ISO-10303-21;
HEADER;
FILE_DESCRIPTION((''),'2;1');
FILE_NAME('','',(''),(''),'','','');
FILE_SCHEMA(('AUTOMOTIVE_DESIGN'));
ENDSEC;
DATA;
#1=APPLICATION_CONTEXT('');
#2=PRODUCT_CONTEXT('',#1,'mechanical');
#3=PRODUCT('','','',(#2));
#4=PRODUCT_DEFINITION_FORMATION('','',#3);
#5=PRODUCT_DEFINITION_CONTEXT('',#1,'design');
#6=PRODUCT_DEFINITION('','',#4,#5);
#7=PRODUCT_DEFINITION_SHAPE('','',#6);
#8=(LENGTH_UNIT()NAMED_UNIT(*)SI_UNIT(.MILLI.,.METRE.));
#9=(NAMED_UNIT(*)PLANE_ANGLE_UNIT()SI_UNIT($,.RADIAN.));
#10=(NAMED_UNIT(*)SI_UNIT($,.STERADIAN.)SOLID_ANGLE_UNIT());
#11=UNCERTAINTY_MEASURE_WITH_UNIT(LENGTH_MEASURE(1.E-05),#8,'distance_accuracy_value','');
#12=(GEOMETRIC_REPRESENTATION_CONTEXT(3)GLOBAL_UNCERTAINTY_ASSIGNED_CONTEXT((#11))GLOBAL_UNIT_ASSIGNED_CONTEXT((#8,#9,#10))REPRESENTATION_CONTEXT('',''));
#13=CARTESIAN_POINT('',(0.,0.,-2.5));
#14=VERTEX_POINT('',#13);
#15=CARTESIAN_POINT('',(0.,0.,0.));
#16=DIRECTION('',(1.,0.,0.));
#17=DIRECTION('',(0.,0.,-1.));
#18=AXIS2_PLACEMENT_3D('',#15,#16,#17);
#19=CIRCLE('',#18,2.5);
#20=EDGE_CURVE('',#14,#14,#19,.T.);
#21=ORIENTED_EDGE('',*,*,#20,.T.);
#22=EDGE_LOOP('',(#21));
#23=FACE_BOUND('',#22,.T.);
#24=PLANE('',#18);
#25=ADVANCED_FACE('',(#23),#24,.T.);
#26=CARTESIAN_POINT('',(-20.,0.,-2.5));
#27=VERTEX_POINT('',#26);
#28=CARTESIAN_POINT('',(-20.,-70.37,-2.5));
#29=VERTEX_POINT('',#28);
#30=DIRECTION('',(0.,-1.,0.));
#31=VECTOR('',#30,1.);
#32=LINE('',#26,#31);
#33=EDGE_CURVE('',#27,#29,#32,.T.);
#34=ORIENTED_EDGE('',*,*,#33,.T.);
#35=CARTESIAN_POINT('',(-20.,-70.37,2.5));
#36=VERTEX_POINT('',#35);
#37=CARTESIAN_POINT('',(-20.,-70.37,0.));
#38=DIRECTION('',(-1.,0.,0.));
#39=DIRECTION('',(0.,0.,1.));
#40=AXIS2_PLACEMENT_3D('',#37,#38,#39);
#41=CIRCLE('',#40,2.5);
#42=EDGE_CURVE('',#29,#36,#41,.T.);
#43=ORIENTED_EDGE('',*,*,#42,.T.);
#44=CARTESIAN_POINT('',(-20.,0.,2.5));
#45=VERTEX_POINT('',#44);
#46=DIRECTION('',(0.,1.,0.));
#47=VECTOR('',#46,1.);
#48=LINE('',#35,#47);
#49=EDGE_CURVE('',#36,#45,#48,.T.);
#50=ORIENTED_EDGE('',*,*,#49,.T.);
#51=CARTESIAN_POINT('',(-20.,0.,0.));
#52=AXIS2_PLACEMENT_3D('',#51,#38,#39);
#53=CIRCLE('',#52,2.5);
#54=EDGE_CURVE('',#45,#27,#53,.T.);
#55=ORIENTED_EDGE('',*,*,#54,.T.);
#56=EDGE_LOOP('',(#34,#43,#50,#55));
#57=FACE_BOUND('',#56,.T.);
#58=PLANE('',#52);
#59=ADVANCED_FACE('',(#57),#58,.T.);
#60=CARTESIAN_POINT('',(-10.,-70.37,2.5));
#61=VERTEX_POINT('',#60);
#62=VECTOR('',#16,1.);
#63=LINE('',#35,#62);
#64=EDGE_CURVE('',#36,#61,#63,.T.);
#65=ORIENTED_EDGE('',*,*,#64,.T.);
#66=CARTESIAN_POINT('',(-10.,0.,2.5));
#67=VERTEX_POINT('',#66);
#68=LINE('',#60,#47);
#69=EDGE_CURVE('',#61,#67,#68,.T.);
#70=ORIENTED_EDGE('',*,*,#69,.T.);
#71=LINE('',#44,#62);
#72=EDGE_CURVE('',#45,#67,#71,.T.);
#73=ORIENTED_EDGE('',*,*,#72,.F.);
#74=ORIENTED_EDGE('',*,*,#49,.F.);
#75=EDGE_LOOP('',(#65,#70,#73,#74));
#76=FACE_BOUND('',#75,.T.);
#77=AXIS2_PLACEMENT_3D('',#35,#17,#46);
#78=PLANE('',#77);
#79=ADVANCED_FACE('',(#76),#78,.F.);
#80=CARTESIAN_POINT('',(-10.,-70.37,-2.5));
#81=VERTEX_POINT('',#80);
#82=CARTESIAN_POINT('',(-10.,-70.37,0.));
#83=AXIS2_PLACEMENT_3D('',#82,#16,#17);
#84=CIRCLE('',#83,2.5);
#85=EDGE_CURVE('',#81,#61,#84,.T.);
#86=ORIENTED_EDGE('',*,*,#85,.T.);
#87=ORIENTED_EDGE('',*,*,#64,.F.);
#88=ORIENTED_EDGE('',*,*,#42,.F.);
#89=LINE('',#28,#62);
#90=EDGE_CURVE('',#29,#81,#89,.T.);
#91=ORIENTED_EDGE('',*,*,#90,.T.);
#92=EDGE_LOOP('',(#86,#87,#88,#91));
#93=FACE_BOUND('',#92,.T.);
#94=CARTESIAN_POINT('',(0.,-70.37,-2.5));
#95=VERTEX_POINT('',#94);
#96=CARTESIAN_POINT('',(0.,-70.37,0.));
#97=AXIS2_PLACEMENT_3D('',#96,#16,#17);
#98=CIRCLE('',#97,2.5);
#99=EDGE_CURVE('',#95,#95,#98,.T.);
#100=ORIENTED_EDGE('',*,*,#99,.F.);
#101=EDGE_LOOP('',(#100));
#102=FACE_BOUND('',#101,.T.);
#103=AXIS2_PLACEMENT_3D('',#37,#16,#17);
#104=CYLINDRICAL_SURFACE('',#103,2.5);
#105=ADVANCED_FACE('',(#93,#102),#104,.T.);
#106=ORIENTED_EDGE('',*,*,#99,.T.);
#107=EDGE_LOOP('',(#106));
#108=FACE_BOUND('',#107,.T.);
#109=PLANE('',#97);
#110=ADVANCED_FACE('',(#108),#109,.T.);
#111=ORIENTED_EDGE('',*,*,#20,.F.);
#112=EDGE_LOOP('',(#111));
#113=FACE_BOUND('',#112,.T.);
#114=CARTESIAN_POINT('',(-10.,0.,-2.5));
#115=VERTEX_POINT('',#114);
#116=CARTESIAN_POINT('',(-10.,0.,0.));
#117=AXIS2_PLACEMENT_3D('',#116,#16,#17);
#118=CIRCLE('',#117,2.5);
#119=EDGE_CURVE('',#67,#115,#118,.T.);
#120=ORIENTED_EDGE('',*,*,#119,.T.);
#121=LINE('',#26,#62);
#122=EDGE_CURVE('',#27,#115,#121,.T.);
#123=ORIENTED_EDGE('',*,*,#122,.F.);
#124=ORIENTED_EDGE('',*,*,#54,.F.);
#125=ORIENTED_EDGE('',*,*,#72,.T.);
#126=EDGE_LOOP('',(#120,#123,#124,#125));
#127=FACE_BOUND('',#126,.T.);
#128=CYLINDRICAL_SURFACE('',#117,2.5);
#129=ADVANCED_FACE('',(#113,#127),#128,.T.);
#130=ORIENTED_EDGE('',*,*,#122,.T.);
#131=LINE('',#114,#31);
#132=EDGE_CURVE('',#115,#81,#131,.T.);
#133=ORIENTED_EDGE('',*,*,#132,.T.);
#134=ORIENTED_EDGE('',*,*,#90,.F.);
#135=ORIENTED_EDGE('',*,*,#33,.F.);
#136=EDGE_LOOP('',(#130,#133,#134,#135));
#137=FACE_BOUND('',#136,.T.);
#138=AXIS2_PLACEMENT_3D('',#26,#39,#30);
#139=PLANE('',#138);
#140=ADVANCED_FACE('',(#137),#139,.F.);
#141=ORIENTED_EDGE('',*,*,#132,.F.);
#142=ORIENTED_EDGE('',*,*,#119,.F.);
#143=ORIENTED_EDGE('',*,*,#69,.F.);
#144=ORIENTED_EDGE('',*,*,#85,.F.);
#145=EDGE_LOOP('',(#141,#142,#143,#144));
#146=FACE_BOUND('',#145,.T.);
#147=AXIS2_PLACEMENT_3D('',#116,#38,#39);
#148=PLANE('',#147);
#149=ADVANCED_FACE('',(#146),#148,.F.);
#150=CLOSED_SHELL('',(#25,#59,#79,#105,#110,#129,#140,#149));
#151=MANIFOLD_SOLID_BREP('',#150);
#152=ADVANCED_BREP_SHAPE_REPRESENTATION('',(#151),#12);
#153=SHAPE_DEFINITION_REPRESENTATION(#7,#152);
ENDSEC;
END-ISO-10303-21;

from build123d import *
from build123d.topology import SkipClean

# Parameters (mm, degrees)
ESQUISSE1_R        = 2.5
BOSS_EXTRU_1_DEPTH = 10
BOSS_EXTRU_2_DEPTH = 10
ESQUISSE4_R        = 2.5
BOSS_EXTRU_4_DEPTH = 10


with BuildPart() as part:
    # Esquisse1 → Boss.-Extru.1 (new body)
    with BuildSketch(Plane(origin=(0, 0, 0), x_dir=(0, 0, -1), z_dir=(1, 0, 0))):
        Circle(ESQUISSE1_R)
    extrude(amount=-BOSS_EXTRU_1_DEPTH)

    # Esquisse2 → Boss.-Extru.2 (add)
    with SkipClean():  # keep this step's faces unmerged: merging them makes the solid invalid here
        with BuildSketch(Plane.ZY.offset(10)):
            with BuildLine():
                Line((-2.5, 0), (-2.5, -70.37))
                ThreePointArc((-2.5, -70.37), (0, -72.87), (2.5, -70.37))
                Line((2.5, -70.37), (2.5, 0))
                ThreePointArc((2.5, 0), (0, 2.5), (-2.5, 0))
            make_face()
        extrude(amount=BOSS_EXTRU_2_DEPTH)

    # Esquisse4 → Boss.-Extru.4 (add)
    with SkipClean():  # keep this step's faces unmerged: merging them makes the solid invalid here
        with BuildSketch(Plane(origin=(-10, 0, 0), x_dir=(0, 0, -1), z_dir=(1, 0, 0))):
            with Locations((0, -70.37)):
                Circle(ESQUISSE4_R)
        extrude(amount=BOSS_EXTRU_4_DEPTH)


solid = part.part
